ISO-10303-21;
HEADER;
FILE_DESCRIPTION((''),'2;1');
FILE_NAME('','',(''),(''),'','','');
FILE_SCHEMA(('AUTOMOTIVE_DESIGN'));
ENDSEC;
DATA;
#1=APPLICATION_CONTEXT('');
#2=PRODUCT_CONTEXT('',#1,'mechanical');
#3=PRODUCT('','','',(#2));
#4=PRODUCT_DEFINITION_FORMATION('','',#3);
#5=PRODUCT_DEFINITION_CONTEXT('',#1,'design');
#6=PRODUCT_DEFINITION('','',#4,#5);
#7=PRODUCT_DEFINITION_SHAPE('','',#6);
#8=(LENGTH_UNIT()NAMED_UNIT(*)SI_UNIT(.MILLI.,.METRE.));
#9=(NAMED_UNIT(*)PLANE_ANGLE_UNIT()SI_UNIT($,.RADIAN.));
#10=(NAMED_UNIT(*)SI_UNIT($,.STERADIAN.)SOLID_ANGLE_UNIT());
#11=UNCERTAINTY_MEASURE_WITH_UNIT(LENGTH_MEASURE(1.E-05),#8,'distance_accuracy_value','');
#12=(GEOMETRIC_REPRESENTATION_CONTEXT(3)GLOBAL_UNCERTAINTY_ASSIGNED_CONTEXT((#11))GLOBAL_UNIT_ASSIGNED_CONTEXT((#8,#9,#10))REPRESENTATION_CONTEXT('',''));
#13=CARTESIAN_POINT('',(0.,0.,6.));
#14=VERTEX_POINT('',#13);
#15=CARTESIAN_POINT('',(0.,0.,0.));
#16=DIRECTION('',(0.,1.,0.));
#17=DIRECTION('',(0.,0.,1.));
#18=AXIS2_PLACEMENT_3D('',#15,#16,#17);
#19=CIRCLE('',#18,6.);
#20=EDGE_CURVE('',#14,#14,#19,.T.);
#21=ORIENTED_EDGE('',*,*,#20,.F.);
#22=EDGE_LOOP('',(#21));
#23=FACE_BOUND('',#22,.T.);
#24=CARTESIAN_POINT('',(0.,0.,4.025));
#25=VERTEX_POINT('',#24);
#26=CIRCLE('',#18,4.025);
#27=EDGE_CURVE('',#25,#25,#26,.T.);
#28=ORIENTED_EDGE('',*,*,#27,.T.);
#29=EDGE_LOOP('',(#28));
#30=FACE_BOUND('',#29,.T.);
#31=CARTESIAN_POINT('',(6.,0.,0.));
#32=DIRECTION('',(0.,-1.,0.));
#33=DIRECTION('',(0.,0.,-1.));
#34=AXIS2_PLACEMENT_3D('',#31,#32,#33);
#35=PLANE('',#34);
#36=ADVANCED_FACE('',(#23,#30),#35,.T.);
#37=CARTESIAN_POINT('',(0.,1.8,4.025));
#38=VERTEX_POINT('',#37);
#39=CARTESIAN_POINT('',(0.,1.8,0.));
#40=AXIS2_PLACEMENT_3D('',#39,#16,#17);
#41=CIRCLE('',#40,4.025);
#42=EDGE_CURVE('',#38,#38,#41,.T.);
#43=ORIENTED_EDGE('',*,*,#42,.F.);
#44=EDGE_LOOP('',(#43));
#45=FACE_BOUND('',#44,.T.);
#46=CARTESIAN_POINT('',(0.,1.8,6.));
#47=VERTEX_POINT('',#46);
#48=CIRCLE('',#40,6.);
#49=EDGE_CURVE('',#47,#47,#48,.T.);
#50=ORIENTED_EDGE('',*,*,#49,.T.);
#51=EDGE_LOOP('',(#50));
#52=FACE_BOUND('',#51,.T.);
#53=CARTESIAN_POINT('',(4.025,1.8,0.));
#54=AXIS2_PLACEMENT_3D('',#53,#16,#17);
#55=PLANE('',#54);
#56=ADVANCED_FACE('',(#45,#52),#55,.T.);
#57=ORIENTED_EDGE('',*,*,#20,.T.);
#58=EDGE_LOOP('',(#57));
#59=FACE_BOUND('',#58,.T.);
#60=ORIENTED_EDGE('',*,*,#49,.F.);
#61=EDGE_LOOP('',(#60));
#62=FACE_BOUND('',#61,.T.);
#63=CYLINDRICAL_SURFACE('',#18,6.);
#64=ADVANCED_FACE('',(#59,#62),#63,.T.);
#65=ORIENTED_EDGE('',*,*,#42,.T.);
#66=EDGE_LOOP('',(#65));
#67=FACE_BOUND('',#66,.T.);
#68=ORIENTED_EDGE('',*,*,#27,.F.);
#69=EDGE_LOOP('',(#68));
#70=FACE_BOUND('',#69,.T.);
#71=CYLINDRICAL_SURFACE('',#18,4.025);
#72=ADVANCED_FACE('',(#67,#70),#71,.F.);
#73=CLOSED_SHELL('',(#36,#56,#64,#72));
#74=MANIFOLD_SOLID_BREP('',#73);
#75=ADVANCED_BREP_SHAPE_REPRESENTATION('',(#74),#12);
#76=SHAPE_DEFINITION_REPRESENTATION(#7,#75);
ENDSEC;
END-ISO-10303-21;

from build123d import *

# Parameters (mm, degrees)
SKETCH_1_W = 1.975
SKETCH_1_H = 1.8


with BuildPart() as part:
    # 스케치1 → 회전1 (revolve)
    with BuildSketch(Plane(origin=(0, 0, 0), x_dir=(-1, 0, 0), z_dir=(0, 0, -1)), mode=Mode.PRIVATE) as revolve_1_sk:
        with Locations((-5.0125, 0.9)):
            Rectangle(SKETCH_1_W, SKETCH_1_H)
    revolve(revolve_1_sk.sketch.rotate(Axis((0, 0, 0), (0, 1, 0)), 270), axis=Axis((0, 0, 0), (0, 1, 0)))


solid = part.part
